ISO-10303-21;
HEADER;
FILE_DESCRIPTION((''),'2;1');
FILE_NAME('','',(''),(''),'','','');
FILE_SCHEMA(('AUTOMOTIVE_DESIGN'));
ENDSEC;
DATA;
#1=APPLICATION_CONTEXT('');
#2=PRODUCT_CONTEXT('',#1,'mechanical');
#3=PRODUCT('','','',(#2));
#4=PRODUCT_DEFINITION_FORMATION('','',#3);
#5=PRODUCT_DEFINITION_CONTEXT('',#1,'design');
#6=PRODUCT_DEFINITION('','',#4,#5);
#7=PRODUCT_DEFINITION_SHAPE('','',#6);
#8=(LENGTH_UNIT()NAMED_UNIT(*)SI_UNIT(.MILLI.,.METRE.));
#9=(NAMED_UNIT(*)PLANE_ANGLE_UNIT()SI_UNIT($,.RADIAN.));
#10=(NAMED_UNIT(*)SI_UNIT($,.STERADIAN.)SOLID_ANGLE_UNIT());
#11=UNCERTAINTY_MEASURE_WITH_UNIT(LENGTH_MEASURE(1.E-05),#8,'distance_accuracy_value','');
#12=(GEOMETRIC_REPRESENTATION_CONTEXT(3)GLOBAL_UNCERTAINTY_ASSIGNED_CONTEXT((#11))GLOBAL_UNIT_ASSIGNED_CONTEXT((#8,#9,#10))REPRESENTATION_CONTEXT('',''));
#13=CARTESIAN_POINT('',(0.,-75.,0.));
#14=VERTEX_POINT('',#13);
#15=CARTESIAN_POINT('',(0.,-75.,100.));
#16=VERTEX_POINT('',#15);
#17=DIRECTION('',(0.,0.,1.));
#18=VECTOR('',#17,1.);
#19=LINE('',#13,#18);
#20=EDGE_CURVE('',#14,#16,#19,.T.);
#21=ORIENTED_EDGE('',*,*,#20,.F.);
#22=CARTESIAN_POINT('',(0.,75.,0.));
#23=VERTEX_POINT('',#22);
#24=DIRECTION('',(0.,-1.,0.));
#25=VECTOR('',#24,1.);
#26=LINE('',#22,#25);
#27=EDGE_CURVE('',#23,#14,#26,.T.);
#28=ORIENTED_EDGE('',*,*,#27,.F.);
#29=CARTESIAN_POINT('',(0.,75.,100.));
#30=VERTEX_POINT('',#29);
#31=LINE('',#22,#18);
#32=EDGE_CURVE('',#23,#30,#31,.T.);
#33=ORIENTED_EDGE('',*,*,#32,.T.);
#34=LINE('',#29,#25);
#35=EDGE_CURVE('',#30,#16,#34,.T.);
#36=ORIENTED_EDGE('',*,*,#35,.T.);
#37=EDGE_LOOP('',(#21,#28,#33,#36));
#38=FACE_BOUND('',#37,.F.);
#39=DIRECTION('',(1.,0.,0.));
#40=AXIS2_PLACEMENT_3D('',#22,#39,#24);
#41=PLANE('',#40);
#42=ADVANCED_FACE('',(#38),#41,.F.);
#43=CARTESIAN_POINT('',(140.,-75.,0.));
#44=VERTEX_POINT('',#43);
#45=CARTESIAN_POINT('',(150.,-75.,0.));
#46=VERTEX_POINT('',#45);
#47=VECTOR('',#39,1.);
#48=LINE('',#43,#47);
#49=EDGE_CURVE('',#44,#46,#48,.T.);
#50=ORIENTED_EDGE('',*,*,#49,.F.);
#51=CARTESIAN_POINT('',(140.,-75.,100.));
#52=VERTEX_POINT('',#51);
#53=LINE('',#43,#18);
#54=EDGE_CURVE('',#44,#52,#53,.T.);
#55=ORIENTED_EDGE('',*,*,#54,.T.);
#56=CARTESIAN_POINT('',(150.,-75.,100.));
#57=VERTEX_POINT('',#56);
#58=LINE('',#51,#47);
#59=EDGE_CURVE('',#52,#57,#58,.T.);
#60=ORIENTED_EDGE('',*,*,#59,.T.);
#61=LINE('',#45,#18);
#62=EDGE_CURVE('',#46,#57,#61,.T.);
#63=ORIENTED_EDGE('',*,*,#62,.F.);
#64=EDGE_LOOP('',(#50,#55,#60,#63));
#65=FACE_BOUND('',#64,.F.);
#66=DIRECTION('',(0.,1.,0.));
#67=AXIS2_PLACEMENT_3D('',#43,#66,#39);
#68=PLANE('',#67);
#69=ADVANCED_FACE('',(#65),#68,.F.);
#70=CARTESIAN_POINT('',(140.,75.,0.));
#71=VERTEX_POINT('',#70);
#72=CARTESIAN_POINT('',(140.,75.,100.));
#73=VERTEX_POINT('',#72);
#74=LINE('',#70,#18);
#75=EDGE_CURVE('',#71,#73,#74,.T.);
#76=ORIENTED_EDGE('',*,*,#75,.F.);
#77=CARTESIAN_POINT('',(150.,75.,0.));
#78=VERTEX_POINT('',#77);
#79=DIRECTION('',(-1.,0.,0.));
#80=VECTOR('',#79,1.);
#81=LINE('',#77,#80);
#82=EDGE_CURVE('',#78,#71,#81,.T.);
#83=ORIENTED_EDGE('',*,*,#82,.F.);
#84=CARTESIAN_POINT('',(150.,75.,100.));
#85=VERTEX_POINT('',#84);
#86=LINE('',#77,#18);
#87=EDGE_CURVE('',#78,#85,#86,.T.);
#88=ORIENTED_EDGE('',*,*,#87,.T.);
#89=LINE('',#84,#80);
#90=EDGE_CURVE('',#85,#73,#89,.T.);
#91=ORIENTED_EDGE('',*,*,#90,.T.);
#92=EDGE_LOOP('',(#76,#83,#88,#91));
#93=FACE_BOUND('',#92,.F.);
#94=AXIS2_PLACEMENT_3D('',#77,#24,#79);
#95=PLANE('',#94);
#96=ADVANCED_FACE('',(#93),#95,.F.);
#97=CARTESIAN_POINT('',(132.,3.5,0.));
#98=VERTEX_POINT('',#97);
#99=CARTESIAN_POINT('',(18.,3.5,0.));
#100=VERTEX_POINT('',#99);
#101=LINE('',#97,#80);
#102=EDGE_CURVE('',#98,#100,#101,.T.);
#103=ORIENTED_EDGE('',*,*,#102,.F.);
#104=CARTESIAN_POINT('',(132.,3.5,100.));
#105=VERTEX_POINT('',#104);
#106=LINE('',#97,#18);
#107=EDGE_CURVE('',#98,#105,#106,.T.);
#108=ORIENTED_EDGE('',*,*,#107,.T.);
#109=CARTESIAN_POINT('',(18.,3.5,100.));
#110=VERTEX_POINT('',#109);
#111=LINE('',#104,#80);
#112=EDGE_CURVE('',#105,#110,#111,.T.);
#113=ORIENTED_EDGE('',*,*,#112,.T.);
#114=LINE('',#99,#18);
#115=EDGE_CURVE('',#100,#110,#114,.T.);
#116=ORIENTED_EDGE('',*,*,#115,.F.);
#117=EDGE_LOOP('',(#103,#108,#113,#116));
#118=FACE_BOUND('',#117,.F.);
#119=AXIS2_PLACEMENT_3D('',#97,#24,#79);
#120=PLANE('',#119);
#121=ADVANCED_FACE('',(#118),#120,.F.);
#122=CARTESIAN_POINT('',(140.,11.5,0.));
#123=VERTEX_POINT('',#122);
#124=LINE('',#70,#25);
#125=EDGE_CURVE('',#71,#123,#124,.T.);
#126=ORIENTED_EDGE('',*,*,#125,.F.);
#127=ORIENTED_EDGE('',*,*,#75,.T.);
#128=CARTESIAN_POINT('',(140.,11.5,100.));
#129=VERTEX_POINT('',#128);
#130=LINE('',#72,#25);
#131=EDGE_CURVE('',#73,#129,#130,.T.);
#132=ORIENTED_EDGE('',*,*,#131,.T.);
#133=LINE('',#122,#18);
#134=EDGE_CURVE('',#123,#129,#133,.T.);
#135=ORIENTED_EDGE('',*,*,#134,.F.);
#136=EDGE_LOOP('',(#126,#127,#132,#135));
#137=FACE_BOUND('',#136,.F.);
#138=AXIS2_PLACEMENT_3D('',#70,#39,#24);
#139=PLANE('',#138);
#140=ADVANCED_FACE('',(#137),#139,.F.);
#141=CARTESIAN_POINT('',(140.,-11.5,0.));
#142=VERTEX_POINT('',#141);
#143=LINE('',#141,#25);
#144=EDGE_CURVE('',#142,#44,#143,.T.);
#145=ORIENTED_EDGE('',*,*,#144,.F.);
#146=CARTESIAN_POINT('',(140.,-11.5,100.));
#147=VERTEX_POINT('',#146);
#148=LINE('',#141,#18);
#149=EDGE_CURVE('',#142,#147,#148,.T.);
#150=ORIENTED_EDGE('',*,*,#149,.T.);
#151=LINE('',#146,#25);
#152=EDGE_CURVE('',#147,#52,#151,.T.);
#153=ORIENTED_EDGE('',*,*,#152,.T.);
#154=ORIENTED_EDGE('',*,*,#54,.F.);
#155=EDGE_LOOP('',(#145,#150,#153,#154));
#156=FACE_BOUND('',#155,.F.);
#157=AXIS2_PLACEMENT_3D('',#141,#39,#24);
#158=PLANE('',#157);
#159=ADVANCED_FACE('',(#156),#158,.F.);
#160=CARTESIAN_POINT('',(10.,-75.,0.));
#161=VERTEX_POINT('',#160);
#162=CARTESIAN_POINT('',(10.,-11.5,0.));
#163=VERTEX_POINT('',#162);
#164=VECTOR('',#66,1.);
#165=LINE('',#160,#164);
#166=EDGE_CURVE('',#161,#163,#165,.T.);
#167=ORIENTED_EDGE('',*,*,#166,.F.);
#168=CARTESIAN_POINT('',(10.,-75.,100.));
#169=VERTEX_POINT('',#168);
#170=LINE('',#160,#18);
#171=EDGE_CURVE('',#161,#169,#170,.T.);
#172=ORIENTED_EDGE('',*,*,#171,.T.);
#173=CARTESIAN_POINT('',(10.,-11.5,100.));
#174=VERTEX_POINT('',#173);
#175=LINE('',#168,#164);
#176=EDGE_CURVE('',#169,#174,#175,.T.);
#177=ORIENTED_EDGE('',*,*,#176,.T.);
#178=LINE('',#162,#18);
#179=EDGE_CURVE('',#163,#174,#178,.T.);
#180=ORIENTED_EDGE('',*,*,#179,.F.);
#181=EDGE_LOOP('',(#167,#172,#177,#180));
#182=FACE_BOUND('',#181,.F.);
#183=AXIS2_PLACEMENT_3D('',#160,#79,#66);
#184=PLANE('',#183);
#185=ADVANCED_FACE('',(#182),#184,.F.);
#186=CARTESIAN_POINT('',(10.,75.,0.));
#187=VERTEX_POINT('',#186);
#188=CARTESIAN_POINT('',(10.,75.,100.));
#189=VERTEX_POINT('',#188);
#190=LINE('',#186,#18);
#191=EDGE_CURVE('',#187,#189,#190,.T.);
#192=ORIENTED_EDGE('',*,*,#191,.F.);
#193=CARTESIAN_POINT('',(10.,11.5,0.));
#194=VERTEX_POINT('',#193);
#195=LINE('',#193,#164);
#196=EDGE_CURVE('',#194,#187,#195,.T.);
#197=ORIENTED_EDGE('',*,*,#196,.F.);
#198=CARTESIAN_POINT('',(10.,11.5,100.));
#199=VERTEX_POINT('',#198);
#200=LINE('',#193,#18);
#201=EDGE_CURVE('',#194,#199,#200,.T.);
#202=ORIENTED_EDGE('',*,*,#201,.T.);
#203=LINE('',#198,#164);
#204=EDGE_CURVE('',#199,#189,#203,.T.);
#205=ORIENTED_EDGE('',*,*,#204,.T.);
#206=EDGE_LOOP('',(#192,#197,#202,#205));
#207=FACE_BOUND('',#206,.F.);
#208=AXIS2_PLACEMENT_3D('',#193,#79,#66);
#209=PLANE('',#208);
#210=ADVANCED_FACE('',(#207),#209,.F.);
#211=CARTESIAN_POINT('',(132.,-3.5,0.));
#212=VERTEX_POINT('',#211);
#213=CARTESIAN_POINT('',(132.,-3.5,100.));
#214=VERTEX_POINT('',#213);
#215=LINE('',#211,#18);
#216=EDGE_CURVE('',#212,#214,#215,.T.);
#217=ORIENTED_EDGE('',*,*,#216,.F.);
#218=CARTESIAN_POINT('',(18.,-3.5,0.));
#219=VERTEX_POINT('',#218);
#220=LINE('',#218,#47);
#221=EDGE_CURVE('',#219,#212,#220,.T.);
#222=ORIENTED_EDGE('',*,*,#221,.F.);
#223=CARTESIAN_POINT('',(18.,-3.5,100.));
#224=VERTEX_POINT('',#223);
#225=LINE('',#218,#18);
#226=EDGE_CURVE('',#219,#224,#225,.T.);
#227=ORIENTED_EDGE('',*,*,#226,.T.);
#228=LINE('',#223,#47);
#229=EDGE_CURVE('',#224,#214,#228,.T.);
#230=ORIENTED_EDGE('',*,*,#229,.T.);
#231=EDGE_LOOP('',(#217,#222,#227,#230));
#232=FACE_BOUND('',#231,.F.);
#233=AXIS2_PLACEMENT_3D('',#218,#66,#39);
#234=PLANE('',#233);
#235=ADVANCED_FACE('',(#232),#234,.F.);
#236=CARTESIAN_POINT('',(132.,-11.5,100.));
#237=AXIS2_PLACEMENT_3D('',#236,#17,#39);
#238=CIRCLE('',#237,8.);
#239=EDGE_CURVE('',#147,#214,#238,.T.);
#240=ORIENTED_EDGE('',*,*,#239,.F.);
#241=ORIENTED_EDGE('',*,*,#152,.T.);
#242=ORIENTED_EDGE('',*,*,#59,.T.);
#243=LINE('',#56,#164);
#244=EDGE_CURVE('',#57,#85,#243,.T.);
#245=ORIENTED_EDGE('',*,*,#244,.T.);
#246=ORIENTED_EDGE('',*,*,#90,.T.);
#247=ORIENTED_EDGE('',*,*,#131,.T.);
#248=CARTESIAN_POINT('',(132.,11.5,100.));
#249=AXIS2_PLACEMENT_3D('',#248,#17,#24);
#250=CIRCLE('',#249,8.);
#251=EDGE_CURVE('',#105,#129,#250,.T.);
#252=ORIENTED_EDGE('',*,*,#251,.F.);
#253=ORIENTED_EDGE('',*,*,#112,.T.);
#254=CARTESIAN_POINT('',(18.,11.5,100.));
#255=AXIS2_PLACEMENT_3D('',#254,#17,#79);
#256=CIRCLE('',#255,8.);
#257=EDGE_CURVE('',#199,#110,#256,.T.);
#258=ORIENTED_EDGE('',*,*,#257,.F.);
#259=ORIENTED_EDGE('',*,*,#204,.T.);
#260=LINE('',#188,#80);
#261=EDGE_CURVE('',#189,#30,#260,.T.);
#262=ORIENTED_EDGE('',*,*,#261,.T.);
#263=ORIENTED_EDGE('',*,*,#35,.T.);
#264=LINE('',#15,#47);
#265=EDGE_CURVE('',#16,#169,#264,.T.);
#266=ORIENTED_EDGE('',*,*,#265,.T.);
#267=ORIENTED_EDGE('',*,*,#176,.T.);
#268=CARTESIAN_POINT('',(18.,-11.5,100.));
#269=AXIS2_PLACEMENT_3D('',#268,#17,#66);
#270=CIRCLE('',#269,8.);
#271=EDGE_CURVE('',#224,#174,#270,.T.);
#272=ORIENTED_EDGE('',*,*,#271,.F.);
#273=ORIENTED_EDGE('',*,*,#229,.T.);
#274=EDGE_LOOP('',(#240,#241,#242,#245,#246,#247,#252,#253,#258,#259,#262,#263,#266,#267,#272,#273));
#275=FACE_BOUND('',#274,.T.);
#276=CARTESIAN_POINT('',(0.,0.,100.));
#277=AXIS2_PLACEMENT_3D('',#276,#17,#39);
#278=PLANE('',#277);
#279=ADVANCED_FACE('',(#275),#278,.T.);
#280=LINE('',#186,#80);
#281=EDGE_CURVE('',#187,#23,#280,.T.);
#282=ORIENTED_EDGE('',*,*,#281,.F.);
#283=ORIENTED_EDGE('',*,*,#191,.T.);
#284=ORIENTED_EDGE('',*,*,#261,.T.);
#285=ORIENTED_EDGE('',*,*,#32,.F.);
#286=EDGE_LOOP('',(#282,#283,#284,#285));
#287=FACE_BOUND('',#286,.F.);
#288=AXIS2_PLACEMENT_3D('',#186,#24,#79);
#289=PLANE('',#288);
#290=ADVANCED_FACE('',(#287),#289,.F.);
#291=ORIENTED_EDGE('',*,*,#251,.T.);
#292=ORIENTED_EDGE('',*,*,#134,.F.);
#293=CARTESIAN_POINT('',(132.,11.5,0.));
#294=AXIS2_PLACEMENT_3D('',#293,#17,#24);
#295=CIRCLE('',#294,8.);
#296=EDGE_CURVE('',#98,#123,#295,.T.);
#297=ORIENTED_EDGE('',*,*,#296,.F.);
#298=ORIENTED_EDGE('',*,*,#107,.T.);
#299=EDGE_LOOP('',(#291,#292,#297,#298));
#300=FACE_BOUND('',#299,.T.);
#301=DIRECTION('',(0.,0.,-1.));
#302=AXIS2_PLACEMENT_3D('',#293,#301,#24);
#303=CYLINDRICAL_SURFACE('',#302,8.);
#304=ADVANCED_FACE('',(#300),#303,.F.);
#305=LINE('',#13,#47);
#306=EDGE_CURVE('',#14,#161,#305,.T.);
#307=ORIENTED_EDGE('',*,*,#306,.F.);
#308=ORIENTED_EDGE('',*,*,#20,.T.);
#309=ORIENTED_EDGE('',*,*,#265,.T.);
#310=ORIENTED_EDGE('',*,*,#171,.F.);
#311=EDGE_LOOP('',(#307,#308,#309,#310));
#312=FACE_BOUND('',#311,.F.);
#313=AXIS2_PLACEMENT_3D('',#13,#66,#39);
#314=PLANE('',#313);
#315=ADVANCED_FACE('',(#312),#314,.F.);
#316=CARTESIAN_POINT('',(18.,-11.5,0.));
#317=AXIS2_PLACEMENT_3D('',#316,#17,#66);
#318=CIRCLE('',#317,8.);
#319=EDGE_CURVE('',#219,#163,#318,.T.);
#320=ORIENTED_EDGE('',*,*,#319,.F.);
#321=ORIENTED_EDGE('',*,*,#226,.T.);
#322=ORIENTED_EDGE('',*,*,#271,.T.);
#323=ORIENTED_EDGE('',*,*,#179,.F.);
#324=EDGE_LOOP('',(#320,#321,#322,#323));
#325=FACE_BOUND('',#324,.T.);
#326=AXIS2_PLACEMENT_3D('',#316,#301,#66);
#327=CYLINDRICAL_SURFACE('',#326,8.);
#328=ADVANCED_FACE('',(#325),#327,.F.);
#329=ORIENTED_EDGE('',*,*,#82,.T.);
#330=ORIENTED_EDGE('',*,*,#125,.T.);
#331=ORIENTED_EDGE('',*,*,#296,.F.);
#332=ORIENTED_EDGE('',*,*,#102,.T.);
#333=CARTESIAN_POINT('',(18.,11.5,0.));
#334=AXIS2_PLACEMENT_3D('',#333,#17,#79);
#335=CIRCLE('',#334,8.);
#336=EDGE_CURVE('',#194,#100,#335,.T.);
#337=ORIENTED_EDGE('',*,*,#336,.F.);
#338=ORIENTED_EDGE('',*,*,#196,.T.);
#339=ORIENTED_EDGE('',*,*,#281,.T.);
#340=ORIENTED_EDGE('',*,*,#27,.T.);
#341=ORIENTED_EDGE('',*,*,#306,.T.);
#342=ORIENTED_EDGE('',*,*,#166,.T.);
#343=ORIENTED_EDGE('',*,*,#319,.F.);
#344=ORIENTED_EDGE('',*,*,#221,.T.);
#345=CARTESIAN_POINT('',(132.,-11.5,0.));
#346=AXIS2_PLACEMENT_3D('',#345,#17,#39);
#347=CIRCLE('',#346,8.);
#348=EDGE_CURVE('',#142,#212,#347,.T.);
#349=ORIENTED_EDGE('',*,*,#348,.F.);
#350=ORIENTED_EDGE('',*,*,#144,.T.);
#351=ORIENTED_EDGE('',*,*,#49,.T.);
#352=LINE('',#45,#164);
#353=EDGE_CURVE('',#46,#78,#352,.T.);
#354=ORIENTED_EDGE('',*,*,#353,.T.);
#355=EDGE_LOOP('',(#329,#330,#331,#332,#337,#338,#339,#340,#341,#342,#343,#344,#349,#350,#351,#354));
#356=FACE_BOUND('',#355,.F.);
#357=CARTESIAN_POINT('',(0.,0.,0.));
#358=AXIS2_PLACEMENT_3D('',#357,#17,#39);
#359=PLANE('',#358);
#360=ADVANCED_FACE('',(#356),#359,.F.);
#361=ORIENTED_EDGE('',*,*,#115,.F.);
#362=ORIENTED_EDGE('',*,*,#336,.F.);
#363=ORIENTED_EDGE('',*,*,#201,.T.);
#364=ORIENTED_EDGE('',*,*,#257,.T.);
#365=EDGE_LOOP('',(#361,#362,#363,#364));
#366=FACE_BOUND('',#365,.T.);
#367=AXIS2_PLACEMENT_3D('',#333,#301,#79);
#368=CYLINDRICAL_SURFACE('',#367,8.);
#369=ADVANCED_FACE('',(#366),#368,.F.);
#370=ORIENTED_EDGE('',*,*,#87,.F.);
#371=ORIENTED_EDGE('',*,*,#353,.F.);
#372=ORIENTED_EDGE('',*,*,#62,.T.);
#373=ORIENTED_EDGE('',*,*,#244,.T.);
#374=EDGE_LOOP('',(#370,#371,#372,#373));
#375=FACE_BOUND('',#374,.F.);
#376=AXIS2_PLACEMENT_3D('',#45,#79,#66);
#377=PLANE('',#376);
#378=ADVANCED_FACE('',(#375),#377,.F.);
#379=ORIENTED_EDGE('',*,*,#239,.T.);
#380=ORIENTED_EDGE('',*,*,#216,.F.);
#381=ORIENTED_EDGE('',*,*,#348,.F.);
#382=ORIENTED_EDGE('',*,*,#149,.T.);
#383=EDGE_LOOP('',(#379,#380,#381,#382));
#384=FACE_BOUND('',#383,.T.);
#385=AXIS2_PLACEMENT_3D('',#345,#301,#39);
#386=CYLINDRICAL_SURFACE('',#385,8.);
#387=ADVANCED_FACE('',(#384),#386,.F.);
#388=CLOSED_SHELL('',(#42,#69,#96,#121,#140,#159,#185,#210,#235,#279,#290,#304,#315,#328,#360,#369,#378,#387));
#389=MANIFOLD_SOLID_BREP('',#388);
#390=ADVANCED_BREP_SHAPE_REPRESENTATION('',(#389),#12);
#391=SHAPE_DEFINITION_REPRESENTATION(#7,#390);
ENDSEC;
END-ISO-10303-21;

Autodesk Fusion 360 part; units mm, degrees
sketch "スケッチ1" plane through (0, 0, 0) normal (0, 0, 1) x (1, 0, 0)
  line L0 (0, 75) -> (0, -75)
  line L1 (150, -75) -> (150, 75)
  line L2 (140, -11.5) -> (140, -75)
  line L3 (10, -75) -> (10, -11.5)
  line L4 (0, -75) -> (10, -75)
  line L5 (140, -75) -> (150, -75)
  line L6 (10, 11.5) -> (10, 75)
  line L7 (140, 75) -> (140, 11.5)
  line L8 (18, -3.5) -> (132, -3.5)
  line L9 (132, 3.5) -> (18, 3.5)
  line L10 (10, 75) -> (0, 75)
  line L11 (150, 75) -> (140, 75)
  arc A0 (18, -3.5) -> (10, -11.5) centre (18, -11.5) ccw
  arc A1 (10, 11.5) -> (18, 3.5) centre (18, 11.5) ccw
  arc A2 (132, 3.5) -> (140, 11.5) centre (132, 11.5) ccw
  arc A3 (140, -11.5) -> (132, -3.5) centre (132, -11.5) ccw
extrude "押し出し1" add sketch "スケッチ1" along normal blind 100
